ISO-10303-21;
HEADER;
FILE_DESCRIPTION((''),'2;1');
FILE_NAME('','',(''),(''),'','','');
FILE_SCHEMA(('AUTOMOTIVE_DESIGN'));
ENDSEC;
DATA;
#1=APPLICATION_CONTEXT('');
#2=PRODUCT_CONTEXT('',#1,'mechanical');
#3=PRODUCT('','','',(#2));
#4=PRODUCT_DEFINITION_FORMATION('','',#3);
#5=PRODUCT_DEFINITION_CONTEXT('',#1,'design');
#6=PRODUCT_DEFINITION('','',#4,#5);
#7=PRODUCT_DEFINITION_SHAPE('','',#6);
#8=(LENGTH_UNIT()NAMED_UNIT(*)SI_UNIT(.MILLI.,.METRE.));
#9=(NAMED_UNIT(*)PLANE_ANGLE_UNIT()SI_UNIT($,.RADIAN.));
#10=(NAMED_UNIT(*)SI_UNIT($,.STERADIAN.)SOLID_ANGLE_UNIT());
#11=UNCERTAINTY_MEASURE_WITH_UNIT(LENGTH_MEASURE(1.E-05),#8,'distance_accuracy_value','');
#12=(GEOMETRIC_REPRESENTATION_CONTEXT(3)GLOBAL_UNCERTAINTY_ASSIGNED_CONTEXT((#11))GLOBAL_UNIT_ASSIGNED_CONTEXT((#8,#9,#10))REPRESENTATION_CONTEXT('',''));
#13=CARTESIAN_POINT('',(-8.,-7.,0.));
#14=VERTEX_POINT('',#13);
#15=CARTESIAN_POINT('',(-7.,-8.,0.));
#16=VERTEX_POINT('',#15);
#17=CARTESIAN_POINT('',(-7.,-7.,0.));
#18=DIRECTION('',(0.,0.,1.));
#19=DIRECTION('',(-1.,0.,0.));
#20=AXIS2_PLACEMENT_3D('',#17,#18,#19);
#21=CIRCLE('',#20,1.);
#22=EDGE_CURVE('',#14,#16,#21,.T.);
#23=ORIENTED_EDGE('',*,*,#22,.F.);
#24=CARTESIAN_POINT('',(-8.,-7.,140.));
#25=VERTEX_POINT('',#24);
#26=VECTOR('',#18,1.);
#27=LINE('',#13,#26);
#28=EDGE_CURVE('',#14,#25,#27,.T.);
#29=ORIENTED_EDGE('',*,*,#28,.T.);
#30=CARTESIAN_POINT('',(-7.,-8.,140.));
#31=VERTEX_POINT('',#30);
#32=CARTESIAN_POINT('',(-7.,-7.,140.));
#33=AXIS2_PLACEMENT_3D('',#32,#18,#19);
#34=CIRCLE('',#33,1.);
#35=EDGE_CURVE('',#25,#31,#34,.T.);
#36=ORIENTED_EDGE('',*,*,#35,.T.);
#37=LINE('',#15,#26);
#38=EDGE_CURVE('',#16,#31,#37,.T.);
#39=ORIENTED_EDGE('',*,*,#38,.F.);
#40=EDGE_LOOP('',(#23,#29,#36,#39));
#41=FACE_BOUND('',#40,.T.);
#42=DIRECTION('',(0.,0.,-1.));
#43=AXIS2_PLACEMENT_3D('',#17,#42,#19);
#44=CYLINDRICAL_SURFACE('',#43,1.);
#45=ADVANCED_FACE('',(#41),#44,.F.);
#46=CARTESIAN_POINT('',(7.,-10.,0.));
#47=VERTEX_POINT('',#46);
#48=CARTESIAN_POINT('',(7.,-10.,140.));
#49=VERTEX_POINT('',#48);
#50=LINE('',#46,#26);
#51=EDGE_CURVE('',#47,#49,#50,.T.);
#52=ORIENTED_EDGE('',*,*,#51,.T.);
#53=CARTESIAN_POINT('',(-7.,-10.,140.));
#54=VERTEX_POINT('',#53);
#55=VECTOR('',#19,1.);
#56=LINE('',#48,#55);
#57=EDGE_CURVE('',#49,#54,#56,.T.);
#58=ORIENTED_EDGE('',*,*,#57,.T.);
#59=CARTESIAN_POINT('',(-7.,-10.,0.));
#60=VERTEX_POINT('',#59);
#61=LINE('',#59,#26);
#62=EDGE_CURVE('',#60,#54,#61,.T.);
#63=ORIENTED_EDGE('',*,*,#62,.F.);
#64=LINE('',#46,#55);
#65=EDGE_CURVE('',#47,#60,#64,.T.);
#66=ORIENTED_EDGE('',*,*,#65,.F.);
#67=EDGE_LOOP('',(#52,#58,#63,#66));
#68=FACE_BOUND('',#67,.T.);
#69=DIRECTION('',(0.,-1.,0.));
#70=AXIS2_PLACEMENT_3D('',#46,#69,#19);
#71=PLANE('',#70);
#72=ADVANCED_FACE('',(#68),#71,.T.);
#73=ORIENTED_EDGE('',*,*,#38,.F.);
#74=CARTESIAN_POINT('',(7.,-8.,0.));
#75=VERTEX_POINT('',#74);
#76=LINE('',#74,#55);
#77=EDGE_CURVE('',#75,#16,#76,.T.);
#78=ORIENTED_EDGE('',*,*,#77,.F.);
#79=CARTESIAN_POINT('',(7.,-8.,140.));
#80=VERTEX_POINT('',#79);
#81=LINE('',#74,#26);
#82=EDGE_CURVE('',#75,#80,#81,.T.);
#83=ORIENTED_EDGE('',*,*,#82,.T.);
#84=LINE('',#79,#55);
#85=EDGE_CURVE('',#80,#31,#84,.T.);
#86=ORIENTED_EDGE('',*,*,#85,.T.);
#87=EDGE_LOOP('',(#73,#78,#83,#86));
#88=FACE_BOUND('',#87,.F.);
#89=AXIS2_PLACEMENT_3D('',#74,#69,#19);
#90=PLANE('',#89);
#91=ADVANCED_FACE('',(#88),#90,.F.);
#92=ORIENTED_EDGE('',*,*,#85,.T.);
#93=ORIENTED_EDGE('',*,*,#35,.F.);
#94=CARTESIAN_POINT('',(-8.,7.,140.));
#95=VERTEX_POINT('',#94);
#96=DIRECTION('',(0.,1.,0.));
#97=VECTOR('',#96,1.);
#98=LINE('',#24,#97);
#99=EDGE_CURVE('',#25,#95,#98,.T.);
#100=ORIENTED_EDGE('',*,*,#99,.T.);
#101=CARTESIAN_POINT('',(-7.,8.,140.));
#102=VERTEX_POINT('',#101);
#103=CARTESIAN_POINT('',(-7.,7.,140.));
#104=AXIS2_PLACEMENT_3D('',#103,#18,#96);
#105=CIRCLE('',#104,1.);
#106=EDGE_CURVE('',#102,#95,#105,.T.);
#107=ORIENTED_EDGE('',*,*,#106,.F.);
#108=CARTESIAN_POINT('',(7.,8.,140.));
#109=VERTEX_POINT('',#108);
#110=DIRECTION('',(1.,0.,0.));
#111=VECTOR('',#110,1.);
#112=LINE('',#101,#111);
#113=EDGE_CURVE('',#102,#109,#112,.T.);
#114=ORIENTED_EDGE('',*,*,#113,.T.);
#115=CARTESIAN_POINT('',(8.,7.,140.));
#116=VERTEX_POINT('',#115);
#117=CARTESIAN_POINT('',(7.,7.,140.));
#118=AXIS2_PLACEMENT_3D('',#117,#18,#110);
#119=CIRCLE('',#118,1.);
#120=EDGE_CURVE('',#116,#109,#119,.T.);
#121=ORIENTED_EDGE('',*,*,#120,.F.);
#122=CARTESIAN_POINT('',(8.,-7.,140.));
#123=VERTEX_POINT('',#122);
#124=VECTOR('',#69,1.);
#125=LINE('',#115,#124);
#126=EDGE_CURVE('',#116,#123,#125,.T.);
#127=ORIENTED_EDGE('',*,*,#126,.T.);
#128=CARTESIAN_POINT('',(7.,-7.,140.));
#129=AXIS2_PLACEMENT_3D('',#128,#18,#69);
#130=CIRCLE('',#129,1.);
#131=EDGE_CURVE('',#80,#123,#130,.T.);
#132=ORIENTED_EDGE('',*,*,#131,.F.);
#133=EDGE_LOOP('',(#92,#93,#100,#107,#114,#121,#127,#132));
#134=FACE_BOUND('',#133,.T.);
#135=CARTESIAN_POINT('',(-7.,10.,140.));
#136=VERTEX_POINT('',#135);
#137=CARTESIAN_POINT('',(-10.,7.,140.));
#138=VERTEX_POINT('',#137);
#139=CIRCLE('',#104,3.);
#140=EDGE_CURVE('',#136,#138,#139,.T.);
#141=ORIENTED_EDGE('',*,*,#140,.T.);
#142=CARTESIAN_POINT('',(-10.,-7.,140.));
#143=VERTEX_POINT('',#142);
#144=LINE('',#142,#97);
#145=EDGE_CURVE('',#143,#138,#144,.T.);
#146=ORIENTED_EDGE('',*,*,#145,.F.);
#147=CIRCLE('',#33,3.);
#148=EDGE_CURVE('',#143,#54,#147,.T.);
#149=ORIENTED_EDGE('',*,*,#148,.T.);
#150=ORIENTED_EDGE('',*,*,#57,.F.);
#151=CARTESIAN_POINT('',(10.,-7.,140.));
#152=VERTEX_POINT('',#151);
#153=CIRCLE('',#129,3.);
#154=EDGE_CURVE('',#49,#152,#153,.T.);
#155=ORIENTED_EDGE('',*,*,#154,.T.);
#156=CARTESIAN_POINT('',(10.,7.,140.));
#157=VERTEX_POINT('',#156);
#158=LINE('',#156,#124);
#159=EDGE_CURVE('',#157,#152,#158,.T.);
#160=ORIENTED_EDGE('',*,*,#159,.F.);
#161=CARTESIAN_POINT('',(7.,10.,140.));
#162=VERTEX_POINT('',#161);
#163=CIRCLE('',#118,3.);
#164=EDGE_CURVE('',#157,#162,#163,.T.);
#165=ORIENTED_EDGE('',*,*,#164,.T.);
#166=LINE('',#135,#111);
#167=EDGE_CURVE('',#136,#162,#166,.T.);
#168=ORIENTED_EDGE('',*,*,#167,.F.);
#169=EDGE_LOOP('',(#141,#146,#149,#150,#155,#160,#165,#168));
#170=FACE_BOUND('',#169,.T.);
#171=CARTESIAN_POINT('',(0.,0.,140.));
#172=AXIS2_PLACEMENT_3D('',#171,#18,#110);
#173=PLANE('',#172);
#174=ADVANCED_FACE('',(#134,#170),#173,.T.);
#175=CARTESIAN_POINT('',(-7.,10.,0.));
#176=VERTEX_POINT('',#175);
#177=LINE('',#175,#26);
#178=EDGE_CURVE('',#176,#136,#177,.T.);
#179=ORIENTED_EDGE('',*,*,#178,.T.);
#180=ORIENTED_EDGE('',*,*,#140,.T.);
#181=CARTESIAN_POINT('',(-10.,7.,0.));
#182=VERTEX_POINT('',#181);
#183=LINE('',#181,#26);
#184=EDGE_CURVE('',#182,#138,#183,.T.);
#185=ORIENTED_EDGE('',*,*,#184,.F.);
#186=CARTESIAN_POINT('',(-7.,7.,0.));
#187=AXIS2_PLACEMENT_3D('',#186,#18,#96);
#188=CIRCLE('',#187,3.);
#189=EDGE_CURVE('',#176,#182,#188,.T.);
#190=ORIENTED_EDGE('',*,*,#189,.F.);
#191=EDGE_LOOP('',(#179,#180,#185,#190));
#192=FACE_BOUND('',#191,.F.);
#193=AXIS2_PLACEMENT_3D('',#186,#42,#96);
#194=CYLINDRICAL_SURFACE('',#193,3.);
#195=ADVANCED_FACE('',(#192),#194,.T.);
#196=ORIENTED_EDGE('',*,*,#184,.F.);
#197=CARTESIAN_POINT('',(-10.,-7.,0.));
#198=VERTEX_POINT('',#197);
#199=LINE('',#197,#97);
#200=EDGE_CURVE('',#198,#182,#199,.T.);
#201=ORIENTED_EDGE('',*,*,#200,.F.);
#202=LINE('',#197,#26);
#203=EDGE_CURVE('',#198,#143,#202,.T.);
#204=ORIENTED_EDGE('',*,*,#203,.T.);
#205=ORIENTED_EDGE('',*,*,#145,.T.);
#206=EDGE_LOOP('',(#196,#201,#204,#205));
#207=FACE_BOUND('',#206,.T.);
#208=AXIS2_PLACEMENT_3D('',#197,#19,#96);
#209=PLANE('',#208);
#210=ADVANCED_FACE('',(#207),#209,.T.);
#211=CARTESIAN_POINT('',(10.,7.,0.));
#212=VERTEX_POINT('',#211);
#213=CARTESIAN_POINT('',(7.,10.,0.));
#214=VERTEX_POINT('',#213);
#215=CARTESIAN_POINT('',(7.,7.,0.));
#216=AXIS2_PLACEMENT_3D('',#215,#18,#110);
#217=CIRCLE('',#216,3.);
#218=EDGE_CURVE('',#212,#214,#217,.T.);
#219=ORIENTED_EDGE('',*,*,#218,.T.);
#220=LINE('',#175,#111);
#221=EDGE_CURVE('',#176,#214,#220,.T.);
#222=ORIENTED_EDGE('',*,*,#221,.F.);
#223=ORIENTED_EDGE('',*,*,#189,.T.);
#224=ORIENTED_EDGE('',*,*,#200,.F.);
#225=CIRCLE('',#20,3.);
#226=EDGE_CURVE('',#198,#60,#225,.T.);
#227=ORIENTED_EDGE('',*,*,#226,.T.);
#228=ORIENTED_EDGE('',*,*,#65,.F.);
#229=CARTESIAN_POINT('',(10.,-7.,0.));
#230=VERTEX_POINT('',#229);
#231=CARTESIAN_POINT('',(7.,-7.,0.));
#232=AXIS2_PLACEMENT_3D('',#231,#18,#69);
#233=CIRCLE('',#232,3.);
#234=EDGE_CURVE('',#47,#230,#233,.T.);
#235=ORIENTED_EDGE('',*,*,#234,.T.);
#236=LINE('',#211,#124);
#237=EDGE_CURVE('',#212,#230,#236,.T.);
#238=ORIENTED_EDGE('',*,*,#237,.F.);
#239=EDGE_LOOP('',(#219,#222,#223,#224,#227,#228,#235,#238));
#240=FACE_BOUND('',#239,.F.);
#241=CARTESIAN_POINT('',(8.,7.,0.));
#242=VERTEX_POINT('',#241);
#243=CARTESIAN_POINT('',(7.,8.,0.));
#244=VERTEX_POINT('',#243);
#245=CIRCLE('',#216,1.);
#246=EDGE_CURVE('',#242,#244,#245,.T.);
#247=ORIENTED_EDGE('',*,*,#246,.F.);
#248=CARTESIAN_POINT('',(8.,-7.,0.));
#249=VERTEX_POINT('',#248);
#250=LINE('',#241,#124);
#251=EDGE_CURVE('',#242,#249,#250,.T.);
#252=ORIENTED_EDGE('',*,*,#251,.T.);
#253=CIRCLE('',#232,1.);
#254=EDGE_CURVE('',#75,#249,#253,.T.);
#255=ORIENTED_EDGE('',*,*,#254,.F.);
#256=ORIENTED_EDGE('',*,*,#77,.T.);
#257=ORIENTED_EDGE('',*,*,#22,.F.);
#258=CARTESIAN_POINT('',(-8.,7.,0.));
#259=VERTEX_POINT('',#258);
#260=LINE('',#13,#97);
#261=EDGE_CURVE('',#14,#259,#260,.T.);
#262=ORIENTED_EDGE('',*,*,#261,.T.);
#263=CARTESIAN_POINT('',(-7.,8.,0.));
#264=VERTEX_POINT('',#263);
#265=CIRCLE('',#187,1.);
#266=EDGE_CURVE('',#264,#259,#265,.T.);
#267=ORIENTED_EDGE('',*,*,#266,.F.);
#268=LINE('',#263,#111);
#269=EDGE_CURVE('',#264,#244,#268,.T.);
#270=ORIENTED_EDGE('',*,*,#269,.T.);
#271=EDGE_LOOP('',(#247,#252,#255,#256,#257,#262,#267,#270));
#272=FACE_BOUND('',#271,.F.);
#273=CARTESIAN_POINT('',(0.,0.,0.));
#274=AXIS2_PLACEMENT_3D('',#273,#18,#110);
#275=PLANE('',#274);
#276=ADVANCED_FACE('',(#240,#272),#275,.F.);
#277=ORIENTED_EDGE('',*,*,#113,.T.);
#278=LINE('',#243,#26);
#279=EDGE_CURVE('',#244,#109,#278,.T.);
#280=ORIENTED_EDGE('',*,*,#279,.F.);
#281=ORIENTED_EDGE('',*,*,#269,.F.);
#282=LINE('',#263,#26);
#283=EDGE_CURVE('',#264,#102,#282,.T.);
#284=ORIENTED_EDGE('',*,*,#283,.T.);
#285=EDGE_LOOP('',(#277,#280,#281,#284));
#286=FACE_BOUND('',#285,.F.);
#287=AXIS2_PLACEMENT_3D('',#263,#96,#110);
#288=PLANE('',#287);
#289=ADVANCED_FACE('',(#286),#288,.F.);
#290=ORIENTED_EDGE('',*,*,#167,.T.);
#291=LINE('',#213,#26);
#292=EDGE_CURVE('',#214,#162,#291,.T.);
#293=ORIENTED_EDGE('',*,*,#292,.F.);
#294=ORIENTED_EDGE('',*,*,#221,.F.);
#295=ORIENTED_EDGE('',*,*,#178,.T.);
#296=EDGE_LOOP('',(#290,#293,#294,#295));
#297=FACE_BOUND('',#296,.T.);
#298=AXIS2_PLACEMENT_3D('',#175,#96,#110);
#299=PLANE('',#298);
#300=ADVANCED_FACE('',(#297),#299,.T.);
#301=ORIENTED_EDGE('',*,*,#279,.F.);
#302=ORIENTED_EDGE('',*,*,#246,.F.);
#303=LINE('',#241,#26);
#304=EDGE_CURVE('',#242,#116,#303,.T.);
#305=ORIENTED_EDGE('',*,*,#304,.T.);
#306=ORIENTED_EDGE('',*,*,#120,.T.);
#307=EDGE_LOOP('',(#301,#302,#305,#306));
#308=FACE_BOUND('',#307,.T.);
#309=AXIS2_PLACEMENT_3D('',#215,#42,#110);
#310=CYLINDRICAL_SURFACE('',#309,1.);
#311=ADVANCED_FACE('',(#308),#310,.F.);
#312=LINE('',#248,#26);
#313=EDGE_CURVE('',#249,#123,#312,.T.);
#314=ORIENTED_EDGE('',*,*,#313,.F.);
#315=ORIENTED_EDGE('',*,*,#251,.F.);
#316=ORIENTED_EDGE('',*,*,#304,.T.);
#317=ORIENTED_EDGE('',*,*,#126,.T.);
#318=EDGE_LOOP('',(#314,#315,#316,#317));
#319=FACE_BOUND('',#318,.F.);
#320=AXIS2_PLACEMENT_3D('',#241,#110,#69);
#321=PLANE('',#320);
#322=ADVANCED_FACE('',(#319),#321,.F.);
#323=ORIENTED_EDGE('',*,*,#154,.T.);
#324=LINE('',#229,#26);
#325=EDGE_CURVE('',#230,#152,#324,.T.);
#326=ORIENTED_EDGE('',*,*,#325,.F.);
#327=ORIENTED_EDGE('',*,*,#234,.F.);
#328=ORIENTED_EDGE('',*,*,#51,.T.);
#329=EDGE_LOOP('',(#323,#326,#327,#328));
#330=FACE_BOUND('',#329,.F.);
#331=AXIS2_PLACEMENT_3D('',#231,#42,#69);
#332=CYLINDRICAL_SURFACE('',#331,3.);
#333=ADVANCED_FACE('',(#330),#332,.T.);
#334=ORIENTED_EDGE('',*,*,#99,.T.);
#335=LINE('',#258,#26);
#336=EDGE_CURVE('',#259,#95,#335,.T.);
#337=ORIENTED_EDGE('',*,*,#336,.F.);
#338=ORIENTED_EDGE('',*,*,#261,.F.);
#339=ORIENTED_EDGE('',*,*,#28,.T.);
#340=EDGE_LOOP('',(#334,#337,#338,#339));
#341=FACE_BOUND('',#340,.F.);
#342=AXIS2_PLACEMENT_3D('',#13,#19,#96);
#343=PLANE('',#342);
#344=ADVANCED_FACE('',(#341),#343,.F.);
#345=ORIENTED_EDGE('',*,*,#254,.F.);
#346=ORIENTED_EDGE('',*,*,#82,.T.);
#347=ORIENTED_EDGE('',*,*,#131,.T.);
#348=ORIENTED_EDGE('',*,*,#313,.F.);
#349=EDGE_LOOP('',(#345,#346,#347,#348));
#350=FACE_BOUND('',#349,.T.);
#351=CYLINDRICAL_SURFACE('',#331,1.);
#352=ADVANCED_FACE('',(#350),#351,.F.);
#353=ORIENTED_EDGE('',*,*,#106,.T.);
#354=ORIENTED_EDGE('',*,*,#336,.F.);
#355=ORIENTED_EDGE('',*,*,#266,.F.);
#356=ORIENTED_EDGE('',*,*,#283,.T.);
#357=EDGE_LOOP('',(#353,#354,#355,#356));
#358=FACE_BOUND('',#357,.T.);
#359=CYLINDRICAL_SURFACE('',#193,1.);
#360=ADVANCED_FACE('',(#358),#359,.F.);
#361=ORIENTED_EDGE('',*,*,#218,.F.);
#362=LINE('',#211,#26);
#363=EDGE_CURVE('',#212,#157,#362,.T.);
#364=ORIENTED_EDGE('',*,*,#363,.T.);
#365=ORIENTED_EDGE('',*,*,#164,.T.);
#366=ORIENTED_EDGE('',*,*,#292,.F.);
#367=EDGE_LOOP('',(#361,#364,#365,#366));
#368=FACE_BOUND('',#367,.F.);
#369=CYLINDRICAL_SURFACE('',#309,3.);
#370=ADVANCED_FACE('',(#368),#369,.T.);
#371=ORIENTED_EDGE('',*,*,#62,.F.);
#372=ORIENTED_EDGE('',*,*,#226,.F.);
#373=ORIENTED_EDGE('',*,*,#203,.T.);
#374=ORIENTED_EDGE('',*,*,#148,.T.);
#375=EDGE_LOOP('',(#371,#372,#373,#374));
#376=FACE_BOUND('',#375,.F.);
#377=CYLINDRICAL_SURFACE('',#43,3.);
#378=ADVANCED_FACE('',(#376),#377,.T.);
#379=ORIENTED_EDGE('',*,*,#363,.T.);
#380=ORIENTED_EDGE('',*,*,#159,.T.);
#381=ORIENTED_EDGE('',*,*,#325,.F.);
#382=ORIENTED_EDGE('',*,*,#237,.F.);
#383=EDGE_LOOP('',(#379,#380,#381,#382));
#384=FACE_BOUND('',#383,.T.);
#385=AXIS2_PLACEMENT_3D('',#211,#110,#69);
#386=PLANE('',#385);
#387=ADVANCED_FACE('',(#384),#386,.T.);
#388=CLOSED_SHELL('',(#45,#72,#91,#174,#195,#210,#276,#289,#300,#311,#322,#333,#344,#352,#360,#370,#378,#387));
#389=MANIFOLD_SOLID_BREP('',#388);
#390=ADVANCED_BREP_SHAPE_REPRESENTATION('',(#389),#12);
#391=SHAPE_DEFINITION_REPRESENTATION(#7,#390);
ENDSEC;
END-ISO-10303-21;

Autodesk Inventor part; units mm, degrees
ref_plane "Start Plane" through (0, 0, 0) normal (0, 0, 1) x (1, 0, 0)
ref_plane "End Plane" through (0, 0, 140) normal (0, 0, 1) x (1, 0, 0)
sketch "Sketch" plane through (0, 0, 0) normal (0, 0, 1) x (1, 0, 0)
  line L0 (-10, -7) -> (-10, 7)
  line L1 (-7, 10) -> (7, 10)
  line L2 (10, 7) -> (10, -7)
  line L3 (7, -10) -> (-7, -10)
  arc A0 (-10, -7) -> (-7, -10) centre (-7, -7) ccw
  arc A1 (-7, 10) -> (-10, 7) centre (-7, 7) ccw
  arc A2 (10, 7) -> (7, 10) centre (7, 7) ccw
  arc A3 (7, -10) -> (10, -7) centre (7, -7) ccw
  arc A4 (-7, 8) -> (-8, 7) centre (-7, 7) ccw
  line L4 (-7, 8) -> (7, 8)
  arc A5 (8, 7) -> (7, 8) centre (7, 7) ccw
  line L5 (8, 7) -> (8, -7)
  arc A6 (7, -8) -> (8, -7) centre (7, -7) ccw
  line L6 (7, -8) -> (-7, -8)
  arc A7 (-8, -7) -> (-7, -8) centre (-7, -7) ccw
  line L7 (-8, -7) -> (-8, 7)
  line L8 (0, 14.8698) -> (0, -14.8698) construction
  line L9 (-14.8698, 0) -> (14.8698, 0) construction
  dimension "d7" = 3
  dimension "d10" = 20
  dimension "d11" = 20
  dimension "d12" = 2
  dimension "d15" = 10
  dimension "d16" = 10
extrude "Body" add sketch "Sketch" along normal up to surface (140 mm away) from surface at 0
sketch "Sketch3" plane through (0, 0, 0) normal (0, 0, 1) x (1, 0, 0)
  line L0 (0, 0) -> (10, 0)
ref_plane "Work Plane3" through (0, 0, 0) normal (0, -1, 0) x (1, 0, 0)
sketch "Sketch4" plane through (0, 0, 0) normal (0, -1, 0) x (1, 0, 0)
  line L0 (-2, 0) -> (12, 0)
  line L1 (-2, 140) -> (12, 140)
  dimension "d18" = 140
ref_plane "Work Plane5" through (-7, -210, 140) normal (0, 0, 1) x (1, 0, 0)
split "Split2" plane through (-7, -210, 140) removes the side toward (0, 0, 1)
equation "\"d7\" = G_IR"
equation "\"d10\" = G_H"
equation "\"d11\" = G_W"
equation "\"d12\" = G_T"
equation "\"d15\" = 0.5 * d10"
equation "\"d16\" = 0.5 * d11"
equation "\"d3\" = G_L"
equation "\"G_W\" = 20"
equation "\"G_H\" = 20"
equation "\"G_T\" = 2"
equation "\"G_IR\" = 3"
equation "\"G_L\" = d18"
equation "\"G_OFFSET_START\" = 0"
properties part number "ISO 12633-2 - 20x20x2 - 140" material "Steel, Mild"
